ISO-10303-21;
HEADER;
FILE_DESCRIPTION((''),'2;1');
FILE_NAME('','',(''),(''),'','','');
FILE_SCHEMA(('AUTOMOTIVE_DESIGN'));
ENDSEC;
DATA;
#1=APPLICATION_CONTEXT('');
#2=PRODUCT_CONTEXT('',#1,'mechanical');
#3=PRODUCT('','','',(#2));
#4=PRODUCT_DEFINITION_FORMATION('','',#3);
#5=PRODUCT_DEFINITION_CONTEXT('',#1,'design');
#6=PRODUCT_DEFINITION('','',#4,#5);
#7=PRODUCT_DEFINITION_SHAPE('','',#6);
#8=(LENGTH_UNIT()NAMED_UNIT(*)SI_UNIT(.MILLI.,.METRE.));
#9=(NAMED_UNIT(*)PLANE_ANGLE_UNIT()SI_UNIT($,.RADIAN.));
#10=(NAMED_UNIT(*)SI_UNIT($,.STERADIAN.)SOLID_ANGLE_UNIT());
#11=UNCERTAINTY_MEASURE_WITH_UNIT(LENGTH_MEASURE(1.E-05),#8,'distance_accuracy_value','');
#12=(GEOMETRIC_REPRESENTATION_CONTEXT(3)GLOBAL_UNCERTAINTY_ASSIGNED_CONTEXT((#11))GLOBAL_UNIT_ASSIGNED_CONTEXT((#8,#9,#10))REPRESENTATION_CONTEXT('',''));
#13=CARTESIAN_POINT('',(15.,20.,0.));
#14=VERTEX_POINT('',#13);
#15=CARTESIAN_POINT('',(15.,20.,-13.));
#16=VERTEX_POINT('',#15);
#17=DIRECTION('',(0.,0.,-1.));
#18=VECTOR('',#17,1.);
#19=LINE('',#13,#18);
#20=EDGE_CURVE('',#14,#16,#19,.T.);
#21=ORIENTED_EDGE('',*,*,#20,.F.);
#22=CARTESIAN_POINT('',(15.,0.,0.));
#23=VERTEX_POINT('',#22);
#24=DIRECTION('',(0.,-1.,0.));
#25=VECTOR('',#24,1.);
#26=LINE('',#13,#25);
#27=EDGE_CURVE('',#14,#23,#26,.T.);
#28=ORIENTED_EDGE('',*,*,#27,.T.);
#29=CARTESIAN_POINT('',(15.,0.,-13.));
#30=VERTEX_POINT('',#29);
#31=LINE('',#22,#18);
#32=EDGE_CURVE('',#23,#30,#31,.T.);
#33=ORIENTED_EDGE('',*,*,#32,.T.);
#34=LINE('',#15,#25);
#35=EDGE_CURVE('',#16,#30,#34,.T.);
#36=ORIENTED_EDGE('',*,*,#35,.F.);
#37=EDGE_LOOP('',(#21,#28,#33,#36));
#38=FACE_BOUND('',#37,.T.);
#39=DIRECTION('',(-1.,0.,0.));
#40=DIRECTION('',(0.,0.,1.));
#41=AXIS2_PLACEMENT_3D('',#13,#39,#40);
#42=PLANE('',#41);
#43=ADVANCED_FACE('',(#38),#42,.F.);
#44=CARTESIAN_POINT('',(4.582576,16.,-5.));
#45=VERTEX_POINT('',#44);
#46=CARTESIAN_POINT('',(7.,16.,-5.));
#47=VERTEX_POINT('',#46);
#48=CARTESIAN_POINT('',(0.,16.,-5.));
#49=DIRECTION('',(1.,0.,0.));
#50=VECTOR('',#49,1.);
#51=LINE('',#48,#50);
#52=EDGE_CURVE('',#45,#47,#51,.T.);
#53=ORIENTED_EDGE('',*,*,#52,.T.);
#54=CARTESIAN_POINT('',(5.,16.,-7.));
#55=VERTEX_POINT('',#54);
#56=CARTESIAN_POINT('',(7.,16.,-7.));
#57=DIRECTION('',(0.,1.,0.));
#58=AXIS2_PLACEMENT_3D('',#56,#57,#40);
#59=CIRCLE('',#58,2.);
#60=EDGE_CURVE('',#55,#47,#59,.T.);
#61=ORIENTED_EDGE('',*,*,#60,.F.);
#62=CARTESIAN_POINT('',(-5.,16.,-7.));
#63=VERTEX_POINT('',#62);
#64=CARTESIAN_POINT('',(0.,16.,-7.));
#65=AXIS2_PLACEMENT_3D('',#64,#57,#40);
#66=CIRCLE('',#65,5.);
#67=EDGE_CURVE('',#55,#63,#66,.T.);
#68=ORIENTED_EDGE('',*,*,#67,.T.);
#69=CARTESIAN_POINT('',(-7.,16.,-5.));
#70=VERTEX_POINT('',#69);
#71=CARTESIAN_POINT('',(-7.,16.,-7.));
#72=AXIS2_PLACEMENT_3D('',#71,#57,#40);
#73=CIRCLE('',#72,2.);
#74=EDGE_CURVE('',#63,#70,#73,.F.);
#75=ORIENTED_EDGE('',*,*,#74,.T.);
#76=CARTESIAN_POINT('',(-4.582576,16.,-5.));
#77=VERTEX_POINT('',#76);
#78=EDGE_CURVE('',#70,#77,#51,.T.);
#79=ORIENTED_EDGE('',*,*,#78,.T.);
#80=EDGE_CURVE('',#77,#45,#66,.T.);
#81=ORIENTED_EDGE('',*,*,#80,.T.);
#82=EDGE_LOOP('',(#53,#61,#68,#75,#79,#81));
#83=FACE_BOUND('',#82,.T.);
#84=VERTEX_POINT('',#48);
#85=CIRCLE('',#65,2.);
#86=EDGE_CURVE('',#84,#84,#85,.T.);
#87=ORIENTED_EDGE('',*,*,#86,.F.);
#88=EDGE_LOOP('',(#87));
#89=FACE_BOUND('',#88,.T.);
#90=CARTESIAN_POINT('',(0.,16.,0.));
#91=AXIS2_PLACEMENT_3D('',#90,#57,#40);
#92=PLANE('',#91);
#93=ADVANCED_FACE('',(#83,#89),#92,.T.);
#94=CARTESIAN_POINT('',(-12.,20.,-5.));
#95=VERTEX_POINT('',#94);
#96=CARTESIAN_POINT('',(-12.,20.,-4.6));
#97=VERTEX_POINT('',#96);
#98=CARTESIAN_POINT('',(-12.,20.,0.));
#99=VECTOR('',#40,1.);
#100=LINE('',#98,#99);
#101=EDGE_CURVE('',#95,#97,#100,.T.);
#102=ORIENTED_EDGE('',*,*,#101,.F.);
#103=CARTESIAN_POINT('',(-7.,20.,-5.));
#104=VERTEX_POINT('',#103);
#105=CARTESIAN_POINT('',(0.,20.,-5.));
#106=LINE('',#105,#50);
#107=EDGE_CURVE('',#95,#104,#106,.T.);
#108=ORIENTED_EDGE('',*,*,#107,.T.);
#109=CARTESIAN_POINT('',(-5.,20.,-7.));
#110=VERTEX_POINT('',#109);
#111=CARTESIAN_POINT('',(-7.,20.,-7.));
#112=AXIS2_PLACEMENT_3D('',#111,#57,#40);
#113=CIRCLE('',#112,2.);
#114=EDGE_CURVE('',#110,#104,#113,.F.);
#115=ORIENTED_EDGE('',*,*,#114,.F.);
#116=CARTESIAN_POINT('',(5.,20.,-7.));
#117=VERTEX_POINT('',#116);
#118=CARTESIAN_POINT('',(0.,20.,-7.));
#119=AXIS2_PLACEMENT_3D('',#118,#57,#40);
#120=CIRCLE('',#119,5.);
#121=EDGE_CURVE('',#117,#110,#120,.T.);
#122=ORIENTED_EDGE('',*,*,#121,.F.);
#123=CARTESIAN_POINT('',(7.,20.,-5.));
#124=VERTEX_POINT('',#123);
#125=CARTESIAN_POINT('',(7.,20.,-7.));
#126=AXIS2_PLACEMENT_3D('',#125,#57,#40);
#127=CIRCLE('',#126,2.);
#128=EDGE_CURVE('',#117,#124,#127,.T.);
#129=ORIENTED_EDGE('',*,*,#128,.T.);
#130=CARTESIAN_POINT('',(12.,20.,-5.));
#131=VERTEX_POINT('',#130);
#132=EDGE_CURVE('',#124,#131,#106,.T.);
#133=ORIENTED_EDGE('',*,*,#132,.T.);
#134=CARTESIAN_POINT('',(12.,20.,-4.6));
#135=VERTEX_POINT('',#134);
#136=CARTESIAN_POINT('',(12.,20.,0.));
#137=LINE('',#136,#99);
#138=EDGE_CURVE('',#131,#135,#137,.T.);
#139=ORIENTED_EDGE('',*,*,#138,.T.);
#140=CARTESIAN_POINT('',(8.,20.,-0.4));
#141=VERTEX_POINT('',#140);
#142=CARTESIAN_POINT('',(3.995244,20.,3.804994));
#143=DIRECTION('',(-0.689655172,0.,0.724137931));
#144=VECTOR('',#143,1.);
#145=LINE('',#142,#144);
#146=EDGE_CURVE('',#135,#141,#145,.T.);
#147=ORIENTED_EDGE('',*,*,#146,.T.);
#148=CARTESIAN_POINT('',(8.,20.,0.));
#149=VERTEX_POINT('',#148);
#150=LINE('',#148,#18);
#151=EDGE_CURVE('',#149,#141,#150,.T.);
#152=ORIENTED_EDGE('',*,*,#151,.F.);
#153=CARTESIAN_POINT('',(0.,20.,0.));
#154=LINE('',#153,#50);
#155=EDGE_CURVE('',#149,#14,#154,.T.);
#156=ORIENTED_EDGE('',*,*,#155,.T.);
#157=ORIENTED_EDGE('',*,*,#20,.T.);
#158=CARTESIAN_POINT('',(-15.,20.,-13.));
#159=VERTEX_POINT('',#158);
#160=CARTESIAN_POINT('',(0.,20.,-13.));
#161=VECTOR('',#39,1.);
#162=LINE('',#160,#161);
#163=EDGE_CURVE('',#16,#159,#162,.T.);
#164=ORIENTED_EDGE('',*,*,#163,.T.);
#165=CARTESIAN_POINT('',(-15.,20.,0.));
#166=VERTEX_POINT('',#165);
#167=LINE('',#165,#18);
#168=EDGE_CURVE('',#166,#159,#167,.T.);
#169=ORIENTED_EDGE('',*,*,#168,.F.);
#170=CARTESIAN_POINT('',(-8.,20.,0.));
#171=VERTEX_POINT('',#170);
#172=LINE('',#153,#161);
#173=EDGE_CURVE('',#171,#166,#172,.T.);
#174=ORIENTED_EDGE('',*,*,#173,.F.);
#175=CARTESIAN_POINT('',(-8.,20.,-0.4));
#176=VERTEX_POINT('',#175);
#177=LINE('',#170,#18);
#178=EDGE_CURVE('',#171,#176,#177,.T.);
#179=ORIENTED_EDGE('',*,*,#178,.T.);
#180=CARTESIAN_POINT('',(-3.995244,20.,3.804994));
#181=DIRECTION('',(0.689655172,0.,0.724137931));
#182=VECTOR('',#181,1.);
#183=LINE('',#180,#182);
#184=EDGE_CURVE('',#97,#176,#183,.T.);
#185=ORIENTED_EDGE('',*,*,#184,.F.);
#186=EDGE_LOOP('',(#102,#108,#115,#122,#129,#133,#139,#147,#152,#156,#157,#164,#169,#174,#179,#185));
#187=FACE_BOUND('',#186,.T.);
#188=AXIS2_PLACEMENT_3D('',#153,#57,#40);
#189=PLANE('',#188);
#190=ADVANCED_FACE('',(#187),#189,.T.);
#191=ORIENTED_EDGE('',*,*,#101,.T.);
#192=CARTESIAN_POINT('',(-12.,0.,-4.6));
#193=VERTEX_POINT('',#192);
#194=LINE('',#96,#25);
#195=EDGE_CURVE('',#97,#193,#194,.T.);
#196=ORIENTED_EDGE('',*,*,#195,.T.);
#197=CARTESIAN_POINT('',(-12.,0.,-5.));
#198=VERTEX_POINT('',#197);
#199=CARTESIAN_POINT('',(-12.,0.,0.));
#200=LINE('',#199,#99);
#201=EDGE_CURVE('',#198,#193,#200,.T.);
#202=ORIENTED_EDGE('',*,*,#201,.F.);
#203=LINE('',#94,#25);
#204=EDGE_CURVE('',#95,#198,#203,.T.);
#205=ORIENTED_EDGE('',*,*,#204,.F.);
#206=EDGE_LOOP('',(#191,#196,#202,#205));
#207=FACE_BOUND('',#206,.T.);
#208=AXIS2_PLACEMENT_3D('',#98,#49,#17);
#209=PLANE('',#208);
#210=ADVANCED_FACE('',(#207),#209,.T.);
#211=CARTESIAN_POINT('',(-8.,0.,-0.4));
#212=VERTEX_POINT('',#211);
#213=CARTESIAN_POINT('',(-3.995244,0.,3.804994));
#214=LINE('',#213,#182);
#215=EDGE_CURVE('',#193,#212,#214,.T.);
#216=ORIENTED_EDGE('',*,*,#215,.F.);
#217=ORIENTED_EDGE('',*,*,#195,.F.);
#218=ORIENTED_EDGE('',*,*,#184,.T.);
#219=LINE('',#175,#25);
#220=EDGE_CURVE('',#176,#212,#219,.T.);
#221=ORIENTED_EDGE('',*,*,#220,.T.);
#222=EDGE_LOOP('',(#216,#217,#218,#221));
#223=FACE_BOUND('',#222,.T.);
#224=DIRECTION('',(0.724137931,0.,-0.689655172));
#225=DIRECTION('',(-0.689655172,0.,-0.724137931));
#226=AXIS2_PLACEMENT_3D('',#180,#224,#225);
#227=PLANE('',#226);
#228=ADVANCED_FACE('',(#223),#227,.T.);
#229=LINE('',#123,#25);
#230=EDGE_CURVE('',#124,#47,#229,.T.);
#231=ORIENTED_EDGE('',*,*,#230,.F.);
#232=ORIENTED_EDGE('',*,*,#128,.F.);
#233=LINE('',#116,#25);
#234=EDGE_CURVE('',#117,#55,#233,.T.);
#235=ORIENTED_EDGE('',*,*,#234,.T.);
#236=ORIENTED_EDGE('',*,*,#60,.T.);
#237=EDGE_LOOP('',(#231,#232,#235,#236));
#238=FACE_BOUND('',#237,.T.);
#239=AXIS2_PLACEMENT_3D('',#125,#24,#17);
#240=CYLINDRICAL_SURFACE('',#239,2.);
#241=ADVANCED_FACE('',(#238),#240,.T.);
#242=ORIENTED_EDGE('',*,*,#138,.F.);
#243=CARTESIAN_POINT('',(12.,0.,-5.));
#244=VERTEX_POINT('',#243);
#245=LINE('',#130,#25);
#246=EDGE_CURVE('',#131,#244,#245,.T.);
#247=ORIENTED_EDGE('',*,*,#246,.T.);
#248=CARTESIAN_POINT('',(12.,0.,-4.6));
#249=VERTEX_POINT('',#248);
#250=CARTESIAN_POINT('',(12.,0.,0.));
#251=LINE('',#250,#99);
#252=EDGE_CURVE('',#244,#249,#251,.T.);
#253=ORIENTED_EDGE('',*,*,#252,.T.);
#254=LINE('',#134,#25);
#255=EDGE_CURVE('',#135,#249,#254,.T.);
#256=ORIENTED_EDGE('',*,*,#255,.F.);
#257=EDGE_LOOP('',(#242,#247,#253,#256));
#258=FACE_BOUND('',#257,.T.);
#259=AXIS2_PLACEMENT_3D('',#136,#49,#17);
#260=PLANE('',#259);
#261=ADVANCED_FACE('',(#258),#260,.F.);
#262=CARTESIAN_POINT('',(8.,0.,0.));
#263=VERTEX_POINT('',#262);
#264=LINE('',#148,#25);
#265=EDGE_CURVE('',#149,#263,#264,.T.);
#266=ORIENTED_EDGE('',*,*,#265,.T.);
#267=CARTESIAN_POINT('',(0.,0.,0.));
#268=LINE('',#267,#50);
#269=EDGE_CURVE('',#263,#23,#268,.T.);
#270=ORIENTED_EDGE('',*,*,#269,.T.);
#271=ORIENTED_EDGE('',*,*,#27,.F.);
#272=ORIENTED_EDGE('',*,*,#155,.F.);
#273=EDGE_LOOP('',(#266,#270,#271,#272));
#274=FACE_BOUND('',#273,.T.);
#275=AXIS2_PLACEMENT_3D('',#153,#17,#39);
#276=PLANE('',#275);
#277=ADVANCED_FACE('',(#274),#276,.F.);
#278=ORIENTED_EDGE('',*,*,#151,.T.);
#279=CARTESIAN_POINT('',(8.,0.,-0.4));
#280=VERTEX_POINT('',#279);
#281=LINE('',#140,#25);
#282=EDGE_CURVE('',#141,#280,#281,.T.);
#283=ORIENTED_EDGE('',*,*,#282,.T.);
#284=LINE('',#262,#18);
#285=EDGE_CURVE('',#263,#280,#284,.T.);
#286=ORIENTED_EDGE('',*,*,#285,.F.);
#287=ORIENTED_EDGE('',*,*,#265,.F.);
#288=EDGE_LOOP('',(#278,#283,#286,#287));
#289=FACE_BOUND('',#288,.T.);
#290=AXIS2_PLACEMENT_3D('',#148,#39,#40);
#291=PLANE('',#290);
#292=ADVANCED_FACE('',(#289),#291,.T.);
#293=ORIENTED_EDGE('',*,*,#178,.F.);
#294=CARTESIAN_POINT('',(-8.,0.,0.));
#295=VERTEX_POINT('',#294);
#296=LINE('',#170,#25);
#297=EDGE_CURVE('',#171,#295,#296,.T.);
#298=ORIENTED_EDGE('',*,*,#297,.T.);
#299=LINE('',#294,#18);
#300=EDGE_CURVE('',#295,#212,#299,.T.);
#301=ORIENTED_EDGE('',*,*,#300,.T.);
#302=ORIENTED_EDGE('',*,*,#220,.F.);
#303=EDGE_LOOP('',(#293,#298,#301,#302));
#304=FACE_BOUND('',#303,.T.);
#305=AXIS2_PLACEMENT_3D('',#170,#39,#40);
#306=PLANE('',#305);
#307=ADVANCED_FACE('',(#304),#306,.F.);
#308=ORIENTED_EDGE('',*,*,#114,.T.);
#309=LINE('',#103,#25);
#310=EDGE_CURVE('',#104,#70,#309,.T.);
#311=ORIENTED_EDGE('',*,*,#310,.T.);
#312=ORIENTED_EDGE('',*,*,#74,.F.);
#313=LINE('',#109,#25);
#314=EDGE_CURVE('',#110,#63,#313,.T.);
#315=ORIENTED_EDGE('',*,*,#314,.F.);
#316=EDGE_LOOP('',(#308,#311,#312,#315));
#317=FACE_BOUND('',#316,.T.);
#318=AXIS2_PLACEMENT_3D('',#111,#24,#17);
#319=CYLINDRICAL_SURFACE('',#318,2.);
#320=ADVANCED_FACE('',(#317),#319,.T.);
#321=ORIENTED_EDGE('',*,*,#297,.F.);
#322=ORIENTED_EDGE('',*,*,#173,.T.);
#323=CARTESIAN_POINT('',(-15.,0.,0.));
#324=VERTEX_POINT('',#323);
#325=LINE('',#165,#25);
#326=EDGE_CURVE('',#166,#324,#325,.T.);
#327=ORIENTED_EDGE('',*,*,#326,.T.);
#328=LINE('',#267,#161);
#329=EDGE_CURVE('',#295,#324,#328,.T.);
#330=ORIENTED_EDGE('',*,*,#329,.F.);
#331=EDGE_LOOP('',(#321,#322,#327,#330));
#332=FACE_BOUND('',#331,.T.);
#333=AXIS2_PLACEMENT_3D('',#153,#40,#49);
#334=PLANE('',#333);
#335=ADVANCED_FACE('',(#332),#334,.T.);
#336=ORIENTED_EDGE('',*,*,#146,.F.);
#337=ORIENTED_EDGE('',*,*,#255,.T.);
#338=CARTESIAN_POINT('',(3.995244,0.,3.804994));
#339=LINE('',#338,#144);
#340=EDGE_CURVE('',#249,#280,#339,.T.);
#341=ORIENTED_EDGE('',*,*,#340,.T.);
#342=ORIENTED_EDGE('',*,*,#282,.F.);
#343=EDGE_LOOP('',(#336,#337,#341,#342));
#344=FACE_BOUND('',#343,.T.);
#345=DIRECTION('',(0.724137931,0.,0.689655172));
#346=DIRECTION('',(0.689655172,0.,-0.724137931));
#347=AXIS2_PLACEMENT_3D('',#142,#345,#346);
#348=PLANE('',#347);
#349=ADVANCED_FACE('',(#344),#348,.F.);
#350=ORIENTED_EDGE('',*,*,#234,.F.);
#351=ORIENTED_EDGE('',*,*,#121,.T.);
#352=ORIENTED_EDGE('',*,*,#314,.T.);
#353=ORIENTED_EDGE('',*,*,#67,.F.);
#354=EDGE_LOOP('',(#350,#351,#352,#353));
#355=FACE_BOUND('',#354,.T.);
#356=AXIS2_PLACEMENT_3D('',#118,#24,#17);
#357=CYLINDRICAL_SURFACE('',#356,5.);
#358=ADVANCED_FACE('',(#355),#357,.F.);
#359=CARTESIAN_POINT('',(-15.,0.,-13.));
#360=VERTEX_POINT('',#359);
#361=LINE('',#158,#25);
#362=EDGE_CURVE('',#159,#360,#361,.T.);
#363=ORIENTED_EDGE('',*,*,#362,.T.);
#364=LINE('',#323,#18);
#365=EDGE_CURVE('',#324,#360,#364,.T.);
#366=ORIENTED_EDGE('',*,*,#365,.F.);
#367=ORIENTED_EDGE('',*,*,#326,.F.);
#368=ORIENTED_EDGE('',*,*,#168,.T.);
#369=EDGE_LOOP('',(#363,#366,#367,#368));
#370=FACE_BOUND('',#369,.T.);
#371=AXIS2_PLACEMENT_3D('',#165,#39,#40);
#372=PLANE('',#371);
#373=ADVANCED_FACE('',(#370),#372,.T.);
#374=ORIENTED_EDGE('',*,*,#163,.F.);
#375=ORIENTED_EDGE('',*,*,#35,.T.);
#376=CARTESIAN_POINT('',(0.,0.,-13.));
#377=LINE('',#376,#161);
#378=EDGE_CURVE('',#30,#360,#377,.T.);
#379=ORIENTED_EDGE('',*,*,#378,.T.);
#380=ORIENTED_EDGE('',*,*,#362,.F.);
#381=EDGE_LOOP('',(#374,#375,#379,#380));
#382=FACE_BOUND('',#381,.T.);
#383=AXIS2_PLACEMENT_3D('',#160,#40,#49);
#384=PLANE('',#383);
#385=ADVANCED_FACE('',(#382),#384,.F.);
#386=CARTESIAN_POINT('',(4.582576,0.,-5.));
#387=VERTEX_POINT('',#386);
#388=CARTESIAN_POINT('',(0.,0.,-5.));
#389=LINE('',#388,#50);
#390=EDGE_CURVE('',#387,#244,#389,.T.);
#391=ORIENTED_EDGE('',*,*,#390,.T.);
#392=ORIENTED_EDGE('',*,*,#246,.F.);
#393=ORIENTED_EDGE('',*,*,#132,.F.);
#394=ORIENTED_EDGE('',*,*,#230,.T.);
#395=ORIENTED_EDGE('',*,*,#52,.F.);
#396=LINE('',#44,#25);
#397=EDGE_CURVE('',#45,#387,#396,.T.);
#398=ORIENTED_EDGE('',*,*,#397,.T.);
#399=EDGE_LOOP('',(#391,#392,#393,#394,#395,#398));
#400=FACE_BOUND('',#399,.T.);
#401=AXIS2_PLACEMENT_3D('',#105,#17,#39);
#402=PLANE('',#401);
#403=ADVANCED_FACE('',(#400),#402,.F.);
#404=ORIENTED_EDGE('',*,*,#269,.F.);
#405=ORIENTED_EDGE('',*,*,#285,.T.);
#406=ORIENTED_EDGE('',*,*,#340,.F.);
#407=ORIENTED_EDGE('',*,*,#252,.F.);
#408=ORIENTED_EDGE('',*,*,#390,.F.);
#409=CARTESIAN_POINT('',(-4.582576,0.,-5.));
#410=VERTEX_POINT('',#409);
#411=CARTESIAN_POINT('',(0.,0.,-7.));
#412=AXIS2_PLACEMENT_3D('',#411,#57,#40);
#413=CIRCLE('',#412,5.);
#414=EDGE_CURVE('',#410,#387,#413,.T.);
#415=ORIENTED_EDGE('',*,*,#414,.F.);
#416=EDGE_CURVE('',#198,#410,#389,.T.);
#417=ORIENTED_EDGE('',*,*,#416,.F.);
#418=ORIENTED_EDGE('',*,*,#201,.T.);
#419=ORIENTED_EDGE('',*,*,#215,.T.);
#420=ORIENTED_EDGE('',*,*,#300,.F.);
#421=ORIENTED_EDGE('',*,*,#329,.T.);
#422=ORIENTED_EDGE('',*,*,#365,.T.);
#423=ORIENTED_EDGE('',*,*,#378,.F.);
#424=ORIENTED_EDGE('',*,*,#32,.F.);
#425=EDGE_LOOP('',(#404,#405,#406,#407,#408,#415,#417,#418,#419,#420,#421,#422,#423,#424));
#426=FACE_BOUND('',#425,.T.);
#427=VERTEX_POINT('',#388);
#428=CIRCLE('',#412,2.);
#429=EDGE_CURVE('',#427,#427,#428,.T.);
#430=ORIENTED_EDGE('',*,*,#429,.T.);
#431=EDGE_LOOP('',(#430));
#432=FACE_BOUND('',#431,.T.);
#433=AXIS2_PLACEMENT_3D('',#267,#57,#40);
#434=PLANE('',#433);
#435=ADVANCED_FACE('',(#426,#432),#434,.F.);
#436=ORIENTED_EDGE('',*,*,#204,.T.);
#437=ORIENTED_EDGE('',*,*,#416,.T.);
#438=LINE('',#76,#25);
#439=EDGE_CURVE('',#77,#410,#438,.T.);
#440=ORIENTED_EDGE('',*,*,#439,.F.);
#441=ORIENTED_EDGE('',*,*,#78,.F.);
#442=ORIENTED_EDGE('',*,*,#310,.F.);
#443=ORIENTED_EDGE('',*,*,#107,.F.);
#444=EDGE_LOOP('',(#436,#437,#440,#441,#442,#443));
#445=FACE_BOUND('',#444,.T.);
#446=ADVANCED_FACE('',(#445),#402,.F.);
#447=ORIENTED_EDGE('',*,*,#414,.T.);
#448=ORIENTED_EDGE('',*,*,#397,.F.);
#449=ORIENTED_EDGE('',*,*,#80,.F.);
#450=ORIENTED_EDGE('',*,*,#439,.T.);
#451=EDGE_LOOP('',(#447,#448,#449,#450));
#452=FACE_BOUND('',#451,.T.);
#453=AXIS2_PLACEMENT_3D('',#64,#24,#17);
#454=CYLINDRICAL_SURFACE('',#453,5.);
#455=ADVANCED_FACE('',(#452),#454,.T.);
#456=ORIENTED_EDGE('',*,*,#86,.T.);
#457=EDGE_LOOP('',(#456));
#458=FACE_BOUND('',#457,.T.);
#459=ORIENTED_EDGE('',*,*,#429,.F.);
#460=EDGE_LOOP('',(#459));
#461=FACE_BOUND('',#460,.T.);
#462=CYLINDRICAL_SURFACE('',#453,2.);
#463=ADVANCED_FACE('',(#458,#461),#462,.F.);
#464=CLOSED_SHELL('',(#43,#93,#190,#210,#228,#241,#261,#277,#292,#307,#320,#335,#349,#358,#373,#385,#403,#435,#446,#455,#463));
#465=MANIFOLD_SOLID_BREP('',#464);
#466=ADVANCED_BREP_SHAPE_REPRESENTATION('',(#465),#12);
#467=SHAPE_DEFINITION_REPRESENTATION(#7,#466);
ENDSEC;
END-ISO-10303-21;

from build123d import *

# Parameters (mm, degrees)
BOSS_EXTRUDE1_DEPTH = 20
SKETCH1_3_R         = 2
BOSS_EXTRUDE2_DEPTH = 16


with BuildPart() as part:
    # Sketch1 → Boss-Extrude1 (new body)
    with BuildSketch(Plane(origin=(0, 0, 0), x_dir=(1, 0, 0), z_dir=(0, 1, 0))):
        with BuildLine():
            Line((-15, 0), (-8, 0))
            Line((-8, 0), (-8, 0.4))
            Line((-8, 0.4), (-12, 4.6))
            Line((-12, 4.6), (-12, 5))
            Line((-12, 5), (-7, 5))
            ThreePointArc((-7, 5), (-5.585786438, 5.585786438), (-5, 7))
            ThreePointArc((-5, 7), (0, 12), (5, 7))
            ThreePointArc((5, 7), (5.585786438, 5.585786438), (7, 5))
            Line((7, 5), (12, 5))
            Line((12, 5), (12, 4.6))
            Line((12, 4.6), (8, 0.4))
            Line((8, 0.4), (8, 0))
            Line((8, 0), (15, 0))
            Line((15, 0), (15, 13))
            Line((15, 13), (-15, 13))
            Line((-15, 13), (-15, 0))
        make_face()
    extrude(amount=BOSS_EXTRUDE1_DEPTH)

    # Sketch1<3> → Boss-Extrude2 (add)
    with BuildSketch(Plane(origin=(0, 0, 0), x_dir=(1, 0, 0), z_dir=(0, 1, 0))):
        with BuildLine():
            ThreePointArc((-4.582575695, 5), (0, 2), (4.582575695, 5))
            Line((4.582575695, 5), (7, 5))
            ThreePointArc((7, 5), (5.585786438, 5.585786438), (5, 7))
            ThreePointArc((5, 7), (0, 12), (-5, 7))
            ThreePointArc((-5, 7), (-5.585786438, 5.585786438), (-7, 5))
            Line((-7, 5), (-4.582575695, 5))
        make_face()
        with Locations((0, 7)):
            Circle(SKETCH1_3_R, mode=Mode.SUBTRACT)
    extrude(amount=BOSS_EXTRUDE2_DEPTH)


solid = part.part
